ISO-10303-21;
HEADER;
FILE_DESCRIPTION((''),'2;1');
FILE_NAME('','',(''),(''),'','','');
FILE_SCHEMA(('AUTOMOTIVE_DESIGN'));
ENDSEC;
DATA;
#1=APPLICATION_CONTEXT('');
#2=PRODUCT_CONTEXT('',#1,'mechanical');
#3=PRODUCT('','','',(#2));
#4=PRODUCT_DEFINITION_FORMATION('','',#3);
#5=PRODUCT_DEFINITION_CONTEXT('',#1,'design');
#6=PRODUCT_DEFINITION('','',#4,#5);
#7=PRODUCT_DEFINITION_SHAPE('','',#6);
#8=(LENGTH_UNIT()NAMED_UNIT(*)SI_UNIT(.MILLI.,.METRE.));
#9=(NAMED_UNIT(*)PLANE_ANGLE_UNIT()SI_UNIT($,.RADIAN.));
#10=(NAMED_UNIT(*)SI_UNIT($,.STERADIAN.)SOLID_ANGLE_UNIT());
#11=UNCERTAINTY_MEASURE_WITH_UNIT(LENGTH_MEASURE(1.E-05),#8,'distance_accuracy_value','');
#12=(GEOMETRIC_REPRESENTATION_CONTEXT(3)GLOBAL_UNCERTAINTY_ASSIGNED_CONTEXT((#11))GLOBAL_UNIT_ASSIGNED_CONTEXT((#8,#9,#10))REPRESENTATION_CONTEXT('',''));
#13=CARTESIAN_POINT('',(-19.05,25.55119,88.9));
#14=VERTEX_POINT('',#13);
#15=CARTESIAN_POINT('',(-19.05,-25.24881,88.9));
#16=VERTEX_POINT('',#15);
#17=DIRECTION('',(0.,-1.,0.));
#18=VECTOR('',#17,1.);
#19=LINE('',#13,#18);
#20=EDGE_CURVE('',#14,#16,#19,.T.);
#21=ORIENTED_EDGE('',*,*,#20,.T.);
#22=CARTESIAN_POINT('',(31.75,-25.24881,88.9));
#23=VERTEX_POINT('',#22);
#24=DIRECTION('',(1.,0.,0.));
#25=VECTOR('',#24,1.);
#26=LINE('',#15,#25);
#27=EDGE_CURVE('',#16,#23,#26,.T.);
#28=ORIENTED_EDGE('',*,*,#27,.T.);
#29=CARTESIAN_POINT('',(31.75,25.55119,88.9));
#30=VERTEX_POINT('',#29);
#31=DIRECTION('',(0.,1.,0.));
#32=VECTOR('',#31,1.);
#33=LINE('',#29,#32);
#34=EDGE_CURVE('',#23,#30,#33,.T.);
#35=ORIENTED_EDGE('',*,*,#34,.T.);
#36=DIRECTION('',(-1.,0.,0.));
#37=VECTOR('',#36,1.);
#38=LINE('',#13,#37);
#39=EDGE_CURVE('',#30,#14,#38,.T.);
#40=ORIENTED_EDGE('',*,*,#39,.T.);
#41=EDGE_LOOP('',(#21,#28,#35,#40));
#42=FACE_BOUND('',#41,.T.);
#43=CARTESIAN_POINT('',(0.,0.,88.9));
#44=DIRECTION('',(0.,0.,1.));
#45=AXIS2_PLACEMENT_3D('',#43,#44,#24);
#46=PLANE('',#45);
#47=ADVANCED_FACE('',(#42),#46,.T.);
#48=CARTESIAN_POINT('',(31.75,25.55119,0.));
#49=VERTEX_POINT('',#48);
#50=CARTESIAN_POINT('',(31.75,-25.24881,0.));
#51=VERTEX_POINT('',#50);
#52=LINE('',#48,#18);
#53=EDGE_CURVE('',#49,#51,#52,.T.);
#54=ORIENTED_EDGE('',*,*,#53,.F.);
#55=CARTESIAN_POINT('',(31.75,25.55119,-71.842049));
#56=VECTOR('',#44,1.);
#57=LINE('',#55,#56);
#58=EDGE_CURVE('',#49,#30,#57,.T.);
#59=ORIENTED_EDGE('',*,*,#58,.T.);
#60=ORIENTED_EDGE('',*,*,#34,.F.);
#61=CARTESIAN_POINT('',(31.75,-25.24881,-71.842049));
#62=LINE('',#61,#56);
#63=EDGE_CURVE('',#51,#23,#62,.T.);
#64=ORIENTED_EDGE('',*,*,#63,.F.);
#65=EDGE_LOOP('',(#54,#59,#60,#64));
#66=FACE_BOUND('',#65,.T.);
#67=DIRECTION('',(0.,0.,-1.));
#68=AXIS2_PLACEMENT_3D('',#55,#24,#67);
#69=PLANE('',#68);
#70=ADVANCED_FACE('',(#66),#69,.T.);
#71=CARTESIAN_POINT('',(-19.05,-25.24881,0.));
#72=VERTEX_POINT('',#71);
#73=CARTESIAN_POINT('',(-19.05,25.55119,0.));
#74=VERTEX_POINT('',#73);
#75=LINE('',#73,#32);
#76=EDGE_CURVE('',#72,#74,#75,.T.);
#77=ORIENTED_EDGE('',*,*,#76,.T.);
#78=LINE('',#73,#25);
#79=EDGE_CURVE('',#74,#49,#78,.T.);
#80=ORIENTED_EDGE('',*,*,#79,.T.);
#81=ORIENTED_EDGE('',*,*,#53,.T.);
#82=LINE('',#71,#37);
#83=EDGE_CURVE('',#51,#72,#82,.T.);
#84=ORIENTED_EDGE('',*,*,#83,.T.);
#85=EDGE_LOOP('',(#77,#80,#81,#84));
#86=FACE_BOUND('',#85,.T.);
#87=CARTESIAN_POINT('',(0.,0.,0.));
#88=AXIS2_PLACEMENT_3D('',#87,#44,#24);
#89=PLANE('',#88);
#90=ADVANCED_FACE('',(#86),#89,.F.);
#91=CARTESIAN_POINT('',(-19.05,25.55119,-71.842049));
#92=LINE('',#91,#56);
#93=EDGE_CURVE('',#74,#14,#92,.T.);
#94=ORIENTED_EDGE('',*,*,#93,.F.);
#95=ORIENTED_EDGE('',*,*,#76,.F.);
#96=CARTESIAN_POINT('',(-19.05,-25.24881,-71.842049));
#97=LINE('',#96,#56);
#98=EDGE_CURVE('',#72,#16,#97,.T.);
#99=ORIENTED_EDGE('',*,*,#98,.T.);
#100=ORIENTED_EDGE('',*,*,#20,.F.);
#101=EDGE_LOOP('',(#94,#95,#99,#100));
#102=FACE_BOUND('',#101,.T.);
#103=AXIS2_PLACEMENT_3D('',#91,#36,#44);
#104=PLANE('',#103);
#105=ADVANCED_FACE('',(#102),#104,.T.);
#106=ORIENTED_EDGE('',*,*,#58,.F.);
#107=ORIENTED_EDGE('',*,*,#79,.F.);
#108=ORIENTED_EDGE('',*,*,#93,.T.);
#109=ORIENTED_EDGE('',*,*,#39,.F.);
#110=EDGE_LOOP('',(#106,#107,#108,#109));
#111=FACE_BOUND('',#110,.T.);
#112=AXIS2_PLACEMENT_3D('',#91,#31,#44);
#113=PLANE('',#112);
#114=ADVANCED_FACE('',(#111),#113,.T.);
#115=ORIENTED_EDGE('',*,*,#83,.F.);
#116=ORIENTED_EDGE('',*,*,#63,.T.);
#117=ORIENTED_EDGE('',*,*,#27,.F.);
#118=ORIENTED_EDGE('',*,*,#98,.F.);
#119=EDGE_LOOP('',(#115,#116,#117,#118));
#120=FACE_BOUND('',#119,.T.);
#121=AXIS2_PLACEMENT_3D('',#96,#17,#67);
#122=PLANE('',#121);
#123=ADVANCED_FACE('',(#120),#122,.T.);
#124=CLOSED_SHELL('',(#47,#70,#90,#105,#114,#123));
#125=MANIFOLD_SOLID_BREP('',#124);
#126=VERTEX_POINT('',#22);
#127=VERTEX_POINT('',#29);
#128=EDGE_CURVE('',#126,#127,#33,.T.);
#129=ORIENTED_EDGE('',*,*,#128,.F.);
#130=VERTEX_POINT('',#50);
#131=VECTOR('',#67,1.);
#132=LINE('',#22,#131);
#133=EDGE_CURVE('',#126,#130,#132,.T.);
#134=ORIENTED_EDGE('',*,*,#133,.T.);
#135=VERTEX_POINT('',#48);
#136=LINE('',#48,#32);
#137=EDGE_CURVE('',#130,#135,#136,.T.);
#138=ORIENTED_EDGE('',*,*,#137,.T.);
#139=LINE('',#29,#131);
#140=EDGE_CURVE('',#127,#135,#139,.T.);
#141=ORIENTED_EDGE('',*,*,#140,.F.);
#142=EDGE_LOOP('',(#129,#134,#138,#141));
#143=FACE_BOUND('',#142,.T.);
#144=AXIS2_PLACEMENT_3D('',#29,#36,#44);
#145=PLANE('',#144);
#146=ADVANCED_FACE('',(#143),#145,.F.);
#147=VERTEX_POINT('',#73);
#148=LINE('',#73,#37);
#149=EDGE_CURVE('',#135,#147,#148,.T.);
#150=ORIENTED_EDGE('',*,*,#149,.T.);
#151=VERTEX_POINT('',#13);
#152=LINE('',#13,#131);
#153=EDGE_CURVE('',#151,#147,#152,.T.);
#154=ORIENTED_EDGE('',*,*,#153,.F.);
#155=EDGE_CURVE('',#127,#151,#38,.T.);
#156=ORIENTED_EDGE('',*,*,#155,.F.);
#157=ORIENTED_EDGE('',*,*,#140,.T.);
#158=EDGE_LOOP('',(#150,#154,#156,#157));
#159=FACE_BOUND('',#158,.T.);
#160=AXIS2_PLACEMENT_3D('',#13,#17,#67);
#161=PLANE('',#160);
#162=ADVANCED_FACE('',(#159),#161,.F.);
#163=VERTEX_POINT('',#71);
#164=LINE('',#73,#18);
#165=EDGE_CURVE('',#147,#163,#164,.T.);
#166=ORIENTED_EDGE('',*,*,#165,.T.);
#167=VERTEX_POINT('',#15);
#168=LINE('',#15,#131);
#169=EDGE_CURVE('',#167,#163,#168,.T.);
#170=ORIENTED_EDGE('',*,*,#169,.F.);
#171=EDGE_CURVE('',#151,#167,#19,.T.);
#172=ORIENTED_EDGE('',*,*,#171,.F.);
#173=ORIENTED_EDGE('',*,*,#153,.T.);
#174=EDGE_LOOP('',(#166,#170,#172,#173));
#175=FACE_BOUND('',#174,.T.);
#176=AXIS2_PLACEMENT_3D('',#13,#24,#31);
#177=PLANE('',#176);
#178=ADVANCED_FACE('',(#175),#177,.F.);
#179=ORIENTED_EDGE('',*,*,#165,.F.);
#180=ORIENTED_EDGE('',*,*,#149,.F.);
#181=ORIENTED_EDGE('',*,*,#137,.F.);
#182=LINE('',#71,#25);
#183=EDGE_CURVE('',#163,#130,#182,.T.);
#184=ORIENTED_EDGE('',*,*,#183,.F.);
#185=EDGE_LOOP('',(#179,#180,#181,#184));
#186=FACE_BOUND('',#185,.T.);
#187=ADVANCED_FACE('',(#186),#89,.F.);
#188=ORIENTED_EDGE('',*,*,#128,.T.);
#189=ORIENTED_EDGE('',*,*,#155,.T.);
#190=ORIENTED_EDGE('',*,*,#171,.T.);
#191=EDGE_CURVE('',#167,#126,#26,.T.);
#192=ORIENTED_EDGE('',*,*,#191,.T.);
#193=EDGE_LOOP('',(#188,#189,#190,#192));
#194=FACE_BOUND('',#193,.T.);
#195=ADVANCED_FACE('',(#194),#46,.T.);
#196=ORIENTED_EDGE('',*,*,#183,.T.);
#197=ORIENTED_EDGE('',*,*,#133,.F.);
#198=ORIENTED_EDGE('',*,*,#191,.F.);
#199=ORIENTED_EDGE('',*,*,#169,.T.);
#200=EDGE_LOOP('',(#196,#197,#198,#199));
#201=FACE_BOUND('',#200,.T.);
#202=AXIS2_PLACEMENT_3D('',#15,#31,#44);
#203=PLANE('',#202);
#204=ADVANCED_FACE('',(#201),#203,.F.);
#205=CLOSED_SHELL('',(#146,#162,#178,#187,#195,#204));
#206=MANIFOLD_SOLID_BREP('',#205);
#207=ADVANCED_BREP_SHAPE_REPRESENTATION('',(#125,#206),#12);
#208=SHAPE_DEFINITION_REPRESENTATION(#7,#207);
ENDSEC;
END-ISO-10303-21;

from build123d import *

# Parameters (mm, degrees)
SKETCH1_W           = 50.8
SKETCH1_H           = 50.8
BOSS_EXTRUDE1_DEPTH = 88.9
SKETCH2_W           = 50.8
SKETCH2_H           = 50.8
BOSS_EXTRUDE2_DEPTH = 88.9


with BuildPart() as part:
    # Sketch1 → Boss-Extrude1 (new body)
    with BuildSketch(Plane.XY):
        with Locations((6.35, 0.151190476)):
            Rectangle(SKETCH1_W, SKETCH1_H)
    extrude(amount=BOSS_EXTRUDE1_DEPTH)


with BuildPart() as body_2:
    # Sketch2 → Boss-Extrude2 (new body)
    with BuildSketch(Plane.XY.offset(88.9)):
        with Locations((6.35, 0.151190476)):
            Rectangle(SKETCH2_W, SKETCH2_H)
    extrude(amount=-BOSS_EXTRUDE2_DEPTH)


solid = Compound([part.part, body_2.part])
